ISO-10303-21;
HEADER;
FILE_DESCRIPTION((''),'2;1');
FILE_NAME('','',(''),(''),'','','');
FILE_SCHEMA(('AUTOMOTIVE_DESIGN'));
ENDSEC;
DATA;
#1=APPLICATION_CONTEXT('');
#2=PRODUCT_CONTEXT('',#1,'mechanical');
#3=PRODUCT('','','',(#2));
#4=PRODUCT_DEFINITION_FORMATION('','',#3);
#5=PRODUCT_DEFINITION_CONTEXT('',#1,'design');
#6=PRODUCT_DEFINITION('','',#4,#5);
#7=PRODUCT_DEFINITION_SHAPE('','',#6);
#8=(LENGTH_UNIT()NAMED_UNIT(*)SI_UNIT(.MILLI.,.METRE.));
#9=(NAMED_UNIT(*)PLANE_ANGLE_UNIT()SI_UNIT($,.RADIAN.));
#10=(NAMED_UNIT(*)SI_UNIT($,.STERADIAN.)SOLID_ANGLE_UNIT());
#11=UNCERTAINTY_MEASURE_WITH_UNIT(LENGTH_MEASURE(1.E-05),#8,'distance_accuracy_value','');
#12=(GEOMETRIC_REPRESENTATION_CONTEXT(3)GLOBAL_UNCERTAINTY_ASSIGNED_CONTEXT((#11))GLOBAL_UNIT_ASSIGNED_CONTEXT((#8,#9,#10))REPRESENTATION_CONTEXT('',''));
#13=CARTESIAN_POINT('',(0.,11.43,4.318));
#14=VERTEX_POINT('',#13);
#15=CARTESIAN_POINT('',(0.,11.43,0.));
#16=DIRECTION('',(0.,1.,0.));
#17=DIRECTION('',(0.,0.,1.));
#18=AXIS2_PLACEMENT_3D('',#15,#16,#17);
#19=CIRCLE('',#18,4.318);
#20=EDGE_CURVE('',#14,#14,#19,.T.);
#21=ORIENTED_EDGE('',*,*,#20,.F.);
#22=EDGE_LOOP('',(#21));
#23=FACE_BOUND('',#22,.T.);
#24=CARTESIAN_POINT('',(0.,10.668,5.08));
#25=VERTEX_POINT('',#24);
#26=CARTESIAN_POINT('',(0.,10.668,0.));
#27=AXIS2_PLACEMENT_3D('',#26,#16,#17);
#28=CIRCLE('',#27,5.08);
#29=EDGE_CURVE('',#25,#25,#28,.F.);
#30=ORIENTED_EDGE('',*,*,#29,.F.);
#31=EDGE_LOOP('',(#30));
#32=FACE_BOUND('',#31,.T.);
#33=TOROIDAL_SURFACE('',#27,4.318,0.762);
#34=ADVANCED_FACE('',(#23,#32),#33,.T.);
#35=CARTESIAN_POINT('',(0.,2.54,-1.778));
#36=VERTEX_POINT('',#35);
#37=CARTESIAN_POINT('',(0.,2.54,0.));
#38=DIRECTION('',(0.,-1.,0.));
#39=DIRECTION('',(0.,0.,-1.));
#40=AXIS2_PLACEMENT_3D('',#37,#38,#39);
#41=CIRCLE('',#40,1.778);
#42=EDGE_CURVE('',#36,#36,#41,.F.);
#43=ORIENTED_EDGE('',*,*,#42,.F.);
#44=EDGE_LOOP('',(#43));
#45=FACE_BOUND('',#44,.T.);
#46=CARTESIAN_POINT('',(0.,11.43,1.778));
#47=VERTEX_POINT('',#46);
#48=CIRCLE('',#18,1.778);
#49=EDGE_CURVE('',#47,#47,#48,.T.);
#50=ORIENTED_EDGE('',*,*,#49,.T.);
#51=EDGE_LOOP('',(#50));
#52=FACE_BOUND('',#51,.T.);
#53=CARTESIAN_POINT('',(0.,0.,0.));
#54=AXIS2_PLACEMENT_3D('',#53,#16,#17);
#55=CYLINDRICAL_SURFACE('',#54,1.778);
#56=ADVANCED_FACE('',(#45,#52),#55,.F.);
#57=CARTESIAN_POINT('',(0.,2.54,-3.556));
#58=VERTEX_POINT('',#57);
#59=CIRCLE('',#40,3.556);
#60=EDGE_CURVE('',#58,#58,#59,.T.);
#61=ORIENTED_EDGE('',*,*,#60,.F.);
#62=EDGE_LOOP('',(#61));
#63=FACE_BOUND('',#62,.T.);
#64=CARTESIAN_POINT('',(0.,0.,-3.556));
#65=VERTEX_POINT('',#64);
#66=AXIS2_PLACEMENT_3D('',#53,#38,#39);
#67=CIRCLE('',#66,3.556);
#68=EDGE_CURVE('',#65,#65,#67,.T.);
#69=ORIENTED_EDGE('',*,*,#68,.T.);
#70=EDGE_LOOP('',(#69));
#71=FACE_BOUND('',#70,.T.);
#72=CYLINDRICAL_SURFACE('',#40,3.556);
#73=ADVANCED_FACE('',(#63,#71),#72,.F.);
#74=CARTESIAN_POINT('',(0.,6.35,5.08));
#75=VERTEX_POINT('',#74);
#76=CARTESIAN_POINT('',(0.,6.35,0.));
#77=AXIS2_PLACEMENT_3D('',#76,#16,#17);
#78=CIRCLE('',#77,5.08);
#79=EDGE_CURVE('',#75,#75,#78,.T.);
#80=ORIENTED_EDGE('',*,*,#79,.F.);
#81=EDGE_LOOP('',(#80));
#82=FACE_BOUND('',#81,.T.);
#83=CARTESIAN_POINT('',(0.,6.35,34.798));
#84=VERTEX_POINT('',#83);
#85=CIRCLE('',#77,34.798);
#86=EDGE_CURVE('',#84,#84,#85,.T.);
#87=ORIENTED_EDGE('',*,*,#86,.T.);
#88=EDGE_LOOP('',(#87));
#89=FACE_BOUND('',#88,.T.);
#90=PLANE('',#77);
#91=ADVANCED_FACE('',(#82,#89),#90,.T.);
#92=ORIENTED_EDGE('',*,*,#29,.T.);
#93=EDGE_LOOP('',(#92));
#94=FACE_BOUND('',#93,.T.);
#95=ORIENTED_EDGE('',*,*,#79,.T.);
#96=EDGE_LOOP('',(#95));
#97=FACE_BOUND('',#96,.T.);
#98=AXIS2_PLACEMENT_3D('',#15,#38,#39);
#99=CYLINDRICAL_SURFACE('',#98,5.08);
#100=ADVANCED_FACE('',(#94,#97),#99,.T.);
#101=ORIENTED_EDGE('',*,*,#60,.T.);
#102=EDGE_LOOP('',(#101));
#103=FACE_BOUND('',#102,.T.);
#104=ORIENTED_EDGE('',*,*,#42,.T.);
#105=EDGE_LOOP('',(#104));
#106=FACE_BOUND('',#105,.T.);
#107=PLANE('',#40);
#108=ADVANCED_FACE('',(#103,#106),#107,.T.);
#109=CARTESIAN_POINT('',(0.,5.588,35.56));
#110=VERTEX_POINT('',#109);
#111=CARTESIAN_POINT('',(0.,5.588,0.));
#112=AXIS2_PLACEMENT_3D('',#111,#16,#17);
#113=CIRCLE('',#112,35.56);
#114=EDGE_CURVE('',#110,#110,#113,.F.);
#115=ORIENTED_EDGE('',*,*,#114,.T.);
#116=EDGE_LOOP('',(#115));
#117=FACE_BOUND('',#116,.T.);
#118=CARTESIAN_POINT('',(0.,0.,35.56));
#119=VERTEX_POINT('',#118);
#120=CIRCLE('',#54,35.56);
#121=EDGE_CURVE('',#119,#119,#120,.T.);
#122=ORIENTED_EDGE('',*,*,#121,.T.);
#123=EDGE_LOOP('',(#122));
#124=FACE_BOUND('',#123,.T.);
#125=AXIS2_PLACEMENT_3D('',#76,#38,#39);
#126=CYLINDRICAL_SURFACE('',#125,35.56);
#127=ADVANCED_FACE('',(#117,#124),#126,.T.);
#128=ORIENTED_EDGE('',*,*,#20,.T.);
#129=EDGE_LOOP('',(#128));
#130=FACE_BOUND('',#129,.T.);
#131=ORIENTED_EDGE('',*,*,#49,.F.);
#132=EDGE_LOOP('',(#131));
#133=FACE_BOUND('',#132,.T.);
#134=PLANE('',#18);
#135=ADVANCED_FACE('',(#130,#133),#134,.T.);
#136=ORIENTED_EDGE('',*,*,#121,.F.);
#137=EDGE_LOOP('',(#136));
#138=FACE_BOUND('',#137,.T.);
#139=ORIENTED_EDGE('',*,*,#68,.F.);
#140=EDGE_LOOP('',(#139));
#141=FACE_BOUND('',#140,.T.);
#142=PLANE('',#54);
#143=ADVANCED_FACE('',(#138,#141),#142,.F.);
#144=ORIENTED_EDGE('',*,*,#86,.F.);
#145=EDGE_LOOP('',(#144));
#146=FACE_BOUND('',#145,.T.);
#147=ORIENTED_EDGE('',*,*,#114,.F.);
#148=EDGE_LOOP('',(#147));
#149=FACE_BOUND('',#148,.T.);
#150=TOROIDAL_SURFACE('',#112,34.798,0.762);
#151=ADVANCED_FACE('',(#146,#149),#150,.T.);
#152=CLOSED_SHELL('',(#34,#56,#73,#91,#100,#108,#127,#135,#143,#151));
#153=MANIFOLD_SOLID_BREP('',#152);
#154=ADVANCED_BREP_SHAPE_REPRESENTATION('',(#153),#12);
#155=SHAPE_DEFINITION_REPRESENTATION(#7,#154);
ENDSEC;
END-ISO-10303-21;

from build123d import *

# Parameters (mm, degrees)
SKETCH1_R           = 35.56
BOSS_EXTRUDE1_DEPTH = 6.35
SKETCH2_R           = 5.08
BOSS_EXTRUDE2_DEPTH = 5.08
SKETCH3_R           = 1.778
CUT_EXTRUDE1_DEPTH  = 12.43
SKETCH4_R           = 3.556
CUT_EXTRUDE2_DEPTH  = 2.54
FILLET1_R           = 0.762
FILLET2_R           = 0.762


with BuildPart() as part:
    # Sketch1 → Boss-Extrude1 (new body)
    with BuildSketch(Plane(origin=(0, 0, 0), x_dir=(1, 0, 0), z_dir=(0, 1, 0))):
        with Locations(Location((0, 0, 0), (0, 0, 270))):  # turned: the seam where the file's is
            Circle(SKETCH1_R)
    extrude(amount=BOSS_EXTRUDE1_DEPTH)

    # Sketch2 → Boss-Extrude2 (add)
    with BuildSketch(Plane(origin=(0, 6.35, 0), x_dir=(1, 0, 0), z_dir=(0, 1, 0))):
        with Locations(Location((0, 0, 0), (0, 0, 270))):  # turned: the seam where the file's is
            Circle(SKETCH2_R)
    extrude(amount=BOSS_EXTRUDE2_DEPTH)

    # Sketch3 → Cut-Extrude1 (cut, through all)
    with BuildSketch(Plane(origin=(0, 11.43, 0), x_dir=(1, 0, 0), z_dir=(0, 1, 0))):
        with Locations(Location((0, 0, 0), (0, 0, 270))):  # turned: the seam where the file's is
            Circle(SKETCH3_R)
    extrude(amount=-CUT_EXTRUDE1_DEPTH, mode=Mode.SUBTRACT)

    # Sketch4 → Cut-Extrude2 (cut)
    with BuildSketch(Plane.XZ):
        with Locations(Location((0, 0, 0), (0, 0, 270))):  # turned: the seam where the file's is
            Circle(SKETCH4_R)
    extrude(amount=-CUT_EXTRUDE2_DEPTH, mode=Mode.SUBTRACT)

    # Fillet1
    fillet1_edges = [part.edges().sort_by_distance(p)[0] for p in [
        (0, 11.43, -5.08),
    ]]
    fillet(fillet1_edges, radius=FILLET1_R)

    # Fillet2
    fillet2_edges = [part.edges().sort_by_distance(p)[0] for p in [
        (0, 6.35, -35.56),
    ]]
    fillet(fillet2_edges, radius=FILLET2_R)


solid = part.part
